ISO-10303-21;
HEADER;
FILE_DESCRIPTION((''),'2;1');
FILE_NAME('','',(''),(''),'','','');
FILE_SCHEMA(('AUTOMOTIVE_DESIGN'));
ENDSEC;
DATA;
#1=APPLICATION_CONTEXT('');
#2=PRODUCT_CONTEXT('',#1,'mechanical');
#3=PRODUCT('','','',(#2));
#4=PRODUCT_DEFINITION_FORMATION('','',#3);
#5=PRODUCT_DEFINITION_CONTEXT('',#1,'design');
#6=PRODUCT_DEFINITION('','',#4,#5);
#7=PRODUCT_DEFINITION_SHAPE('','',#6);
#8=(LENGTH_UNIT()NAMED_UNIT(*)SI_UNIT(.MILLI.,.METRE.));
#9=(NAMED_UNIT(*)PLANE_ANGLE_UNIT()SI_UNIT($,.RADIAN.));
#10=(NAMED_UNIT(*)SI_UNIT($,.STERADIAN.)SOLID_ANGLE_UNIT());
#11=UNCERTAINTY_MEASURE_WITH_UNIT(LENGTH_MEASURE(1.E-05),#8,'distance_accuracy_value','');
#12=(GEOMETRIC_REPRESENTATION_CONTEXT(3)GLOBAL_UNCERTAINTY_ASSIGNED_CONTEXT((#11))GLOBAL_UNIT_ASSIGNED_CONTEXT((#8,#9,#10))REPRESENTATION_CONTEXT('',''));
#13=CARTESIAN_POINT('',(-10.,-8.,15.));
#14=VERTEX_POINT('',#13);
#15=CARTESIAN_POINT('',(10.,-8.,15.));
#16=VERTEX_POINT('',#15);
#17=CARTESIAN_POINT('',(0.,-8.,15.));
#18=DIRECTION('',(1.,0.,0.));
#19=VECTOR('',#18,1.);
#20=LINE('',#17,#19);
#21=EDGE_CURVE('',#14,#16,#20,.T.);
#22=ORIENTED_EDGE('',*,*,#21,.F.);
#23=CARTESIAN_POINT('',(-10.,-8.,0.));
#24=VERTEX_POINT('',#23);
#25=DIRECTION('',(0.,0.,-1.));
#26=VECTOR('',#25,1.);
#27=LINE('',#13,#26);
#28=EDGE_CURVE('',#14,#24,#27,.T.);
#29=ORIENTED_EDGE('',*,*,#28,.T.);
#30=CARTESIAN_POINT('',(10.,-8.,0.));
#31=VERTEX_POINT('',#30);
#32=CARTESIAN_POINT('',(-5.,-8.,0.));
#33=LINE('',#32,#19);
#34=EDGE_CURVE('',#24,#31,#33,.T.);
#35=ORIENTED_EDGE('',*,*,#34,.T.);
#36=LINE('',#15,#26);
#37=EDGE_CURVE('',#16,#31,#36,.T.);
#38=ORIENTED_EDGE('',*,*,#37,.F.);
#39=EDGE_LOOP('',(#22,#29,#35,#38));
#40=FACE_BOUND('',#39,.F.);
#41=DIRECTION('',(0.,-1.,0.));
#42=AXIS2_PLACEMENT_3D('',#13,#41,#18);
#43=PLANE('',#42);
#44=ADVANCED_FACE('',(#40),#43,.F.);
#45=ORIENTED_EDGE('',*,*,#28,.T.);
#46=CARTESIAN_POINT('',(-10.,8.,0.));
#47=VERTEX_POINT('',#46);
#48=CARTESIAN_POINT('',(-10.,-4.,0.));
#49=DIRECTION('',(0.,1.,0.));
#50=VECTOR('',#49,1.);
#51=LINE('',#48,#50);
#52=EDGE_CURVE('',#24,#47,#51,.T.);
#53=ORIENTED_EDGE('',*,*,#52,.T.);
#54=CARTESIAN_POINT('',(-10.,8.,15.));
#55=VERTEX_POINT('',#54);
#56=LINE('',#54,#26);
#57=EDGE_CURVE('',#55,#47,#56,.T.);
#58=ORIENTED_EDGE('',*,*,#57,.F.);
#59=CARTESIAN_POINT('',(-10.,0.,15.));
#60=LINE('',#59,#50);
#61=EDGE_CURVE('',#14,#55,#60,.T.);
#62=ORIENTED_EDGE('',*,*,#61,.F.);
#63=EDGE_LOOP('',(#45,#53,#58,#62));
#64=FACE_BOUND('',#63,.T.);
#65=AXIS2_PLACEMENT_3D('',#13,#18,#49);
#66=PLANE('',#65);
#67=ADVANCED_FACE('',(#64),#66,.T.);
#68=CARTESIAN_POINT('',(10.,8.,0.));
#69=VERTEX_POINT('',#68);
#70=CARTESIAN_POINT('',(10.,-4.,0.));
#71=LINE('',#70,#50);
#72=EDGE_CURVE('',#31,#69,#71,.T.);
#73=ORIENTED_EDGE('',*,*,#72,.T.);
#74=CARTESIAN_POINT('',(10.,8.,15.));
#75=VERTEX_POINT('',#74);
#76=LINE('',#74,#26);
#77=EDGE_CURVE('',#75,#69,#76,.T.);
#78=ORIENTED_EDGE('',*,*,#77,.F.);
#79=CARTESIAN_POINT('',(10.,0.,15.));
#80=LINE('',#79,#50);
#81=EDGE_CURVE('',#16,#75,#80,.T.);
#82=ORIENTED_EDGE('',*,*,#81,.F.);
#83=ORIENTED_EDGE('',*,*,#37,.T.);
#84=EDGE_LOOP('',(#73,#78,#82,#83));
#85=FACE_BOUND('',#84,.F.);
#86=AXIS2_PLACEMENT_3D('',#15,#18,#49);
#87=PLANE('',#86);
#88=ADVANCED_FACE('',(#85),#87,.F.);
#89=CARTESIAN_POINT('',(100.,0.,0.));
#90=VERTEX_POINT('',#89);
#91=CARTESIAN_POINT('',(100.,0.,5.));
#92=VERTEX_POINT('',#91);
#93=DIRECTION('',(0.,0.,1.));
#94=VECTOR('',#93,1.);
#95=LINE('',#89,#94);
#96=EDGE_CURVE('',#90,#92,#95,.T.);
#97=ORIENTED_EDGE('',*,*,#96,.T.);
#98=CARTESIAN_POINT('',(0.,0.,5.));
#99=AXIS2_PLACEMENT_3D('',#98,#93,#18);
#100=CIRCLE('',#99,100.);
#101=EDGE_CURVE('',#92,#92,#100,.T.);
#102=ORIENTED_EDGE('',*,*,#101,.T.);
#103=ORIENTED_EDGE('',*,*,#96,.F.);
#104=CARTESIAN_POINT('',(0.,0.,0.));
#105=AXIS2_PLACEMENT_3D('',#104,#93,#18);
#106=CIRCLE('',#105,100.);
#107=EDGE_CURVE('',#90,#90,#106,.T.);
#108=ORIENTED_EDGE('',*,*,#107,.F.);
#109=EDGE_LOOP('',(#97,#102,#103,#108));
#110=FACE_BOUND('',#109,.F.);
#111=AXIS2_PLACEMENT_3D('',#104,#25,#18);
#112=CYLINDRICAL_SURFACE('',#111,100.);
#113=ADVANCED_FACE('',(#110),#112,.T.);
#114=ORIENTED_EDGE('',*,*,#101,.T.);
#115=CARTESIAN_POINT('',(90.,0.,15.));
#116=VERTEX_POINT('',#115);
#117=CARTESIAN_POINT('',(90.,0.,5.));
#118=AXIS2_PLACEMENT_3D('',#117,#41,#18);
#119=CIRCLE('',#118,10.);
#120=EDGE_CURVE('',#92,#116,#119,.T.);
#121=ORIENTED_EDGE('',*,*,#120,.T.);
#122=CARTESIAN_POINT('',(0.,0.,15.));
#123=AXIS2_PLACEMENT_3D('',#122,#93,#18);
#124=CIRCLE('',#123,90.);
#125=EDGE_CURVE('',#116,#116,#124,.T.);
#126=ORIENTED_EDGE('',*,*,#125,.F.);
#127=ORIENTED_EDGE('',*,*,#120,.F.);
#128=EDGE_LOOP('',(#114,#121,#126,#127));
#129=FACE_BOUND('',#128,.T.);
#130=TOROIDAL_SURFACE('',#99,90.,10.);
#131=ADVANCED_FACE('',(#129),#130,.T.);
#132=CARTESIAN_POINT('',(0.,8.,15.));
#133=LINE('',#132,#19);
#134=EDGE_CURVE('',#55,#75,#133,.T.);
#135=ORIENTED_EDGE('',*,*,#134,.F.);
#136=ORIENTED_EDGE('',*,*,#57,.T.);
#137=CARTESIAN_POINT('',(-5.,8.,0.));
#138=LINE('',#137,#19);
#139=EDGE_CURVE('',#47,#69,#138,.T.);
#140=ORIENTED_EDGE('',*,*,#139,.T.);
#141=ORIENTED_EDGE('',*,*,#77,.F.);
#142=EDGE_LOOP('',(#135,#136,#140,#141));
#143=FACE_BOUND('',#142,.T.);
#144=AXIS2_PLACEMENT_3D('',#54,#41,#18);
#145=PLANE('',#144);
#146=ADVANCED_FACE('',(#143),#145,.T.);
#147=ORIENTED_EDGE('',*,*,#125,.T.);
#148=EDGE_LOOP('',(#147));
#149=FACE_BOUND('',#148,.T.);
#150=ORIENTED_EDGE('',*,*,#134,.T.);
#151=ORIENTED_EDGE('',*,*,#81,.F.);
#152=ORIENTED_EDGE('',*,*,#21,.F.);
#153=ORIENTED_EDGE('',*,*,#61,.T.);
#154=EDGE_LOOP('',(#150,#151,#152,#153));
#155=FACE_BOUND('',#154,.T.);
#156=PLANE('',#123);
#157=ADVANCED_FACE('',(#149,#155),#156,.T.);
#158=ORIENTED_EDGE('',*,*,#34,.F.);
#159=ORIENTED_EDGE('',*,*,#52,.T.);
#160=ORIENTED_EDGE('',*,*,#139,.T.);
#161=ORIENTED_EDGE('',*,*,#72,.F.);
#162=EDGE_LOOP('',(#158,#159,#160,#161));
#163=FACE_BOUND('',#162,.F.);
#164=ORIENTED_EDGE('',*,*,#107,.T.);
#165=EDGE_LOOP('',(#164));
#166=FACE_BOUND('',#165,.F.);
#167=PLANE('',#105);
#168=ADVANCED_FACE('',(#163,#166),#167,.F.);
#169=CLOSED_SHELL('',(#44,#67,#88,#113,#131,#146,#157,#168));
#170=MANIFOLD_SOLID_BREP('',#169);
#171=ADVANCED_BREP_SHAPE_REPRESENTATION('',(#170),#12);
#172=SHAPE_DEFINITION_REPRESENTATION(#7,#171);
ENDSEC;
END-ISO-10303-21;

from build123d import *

# Parameters (mm, degrees)
F0_R     = 100
F1_DEPTH = 15
F2_R     = 10
F3_W     = 20
F3_H     = 16
F4_DEPTH = 50


with BuildPart() as f1:
    # F0 (on Top) → F1 (new body)
    with BuildSketch(Plane.XY):
        Circle(F0_R)
    extrude(amount=F1_DEPTH)

    # F2
    f2_edges = [f1.edges().sort_by_distance(p)[0] for p in [
        (-100, 0, 15),
    ]]
    fillet(f2_edges, radius=F2_R)

    # F3 (on face) → F4 (cut)
    with BuildSketch(Plane.XY.offset(15)):
        Rectangle(F3_W, F3_H)
    extrude(amount=-F4_DEPTH, mode=Mode.SUBTRACT)


solid = f1.part
